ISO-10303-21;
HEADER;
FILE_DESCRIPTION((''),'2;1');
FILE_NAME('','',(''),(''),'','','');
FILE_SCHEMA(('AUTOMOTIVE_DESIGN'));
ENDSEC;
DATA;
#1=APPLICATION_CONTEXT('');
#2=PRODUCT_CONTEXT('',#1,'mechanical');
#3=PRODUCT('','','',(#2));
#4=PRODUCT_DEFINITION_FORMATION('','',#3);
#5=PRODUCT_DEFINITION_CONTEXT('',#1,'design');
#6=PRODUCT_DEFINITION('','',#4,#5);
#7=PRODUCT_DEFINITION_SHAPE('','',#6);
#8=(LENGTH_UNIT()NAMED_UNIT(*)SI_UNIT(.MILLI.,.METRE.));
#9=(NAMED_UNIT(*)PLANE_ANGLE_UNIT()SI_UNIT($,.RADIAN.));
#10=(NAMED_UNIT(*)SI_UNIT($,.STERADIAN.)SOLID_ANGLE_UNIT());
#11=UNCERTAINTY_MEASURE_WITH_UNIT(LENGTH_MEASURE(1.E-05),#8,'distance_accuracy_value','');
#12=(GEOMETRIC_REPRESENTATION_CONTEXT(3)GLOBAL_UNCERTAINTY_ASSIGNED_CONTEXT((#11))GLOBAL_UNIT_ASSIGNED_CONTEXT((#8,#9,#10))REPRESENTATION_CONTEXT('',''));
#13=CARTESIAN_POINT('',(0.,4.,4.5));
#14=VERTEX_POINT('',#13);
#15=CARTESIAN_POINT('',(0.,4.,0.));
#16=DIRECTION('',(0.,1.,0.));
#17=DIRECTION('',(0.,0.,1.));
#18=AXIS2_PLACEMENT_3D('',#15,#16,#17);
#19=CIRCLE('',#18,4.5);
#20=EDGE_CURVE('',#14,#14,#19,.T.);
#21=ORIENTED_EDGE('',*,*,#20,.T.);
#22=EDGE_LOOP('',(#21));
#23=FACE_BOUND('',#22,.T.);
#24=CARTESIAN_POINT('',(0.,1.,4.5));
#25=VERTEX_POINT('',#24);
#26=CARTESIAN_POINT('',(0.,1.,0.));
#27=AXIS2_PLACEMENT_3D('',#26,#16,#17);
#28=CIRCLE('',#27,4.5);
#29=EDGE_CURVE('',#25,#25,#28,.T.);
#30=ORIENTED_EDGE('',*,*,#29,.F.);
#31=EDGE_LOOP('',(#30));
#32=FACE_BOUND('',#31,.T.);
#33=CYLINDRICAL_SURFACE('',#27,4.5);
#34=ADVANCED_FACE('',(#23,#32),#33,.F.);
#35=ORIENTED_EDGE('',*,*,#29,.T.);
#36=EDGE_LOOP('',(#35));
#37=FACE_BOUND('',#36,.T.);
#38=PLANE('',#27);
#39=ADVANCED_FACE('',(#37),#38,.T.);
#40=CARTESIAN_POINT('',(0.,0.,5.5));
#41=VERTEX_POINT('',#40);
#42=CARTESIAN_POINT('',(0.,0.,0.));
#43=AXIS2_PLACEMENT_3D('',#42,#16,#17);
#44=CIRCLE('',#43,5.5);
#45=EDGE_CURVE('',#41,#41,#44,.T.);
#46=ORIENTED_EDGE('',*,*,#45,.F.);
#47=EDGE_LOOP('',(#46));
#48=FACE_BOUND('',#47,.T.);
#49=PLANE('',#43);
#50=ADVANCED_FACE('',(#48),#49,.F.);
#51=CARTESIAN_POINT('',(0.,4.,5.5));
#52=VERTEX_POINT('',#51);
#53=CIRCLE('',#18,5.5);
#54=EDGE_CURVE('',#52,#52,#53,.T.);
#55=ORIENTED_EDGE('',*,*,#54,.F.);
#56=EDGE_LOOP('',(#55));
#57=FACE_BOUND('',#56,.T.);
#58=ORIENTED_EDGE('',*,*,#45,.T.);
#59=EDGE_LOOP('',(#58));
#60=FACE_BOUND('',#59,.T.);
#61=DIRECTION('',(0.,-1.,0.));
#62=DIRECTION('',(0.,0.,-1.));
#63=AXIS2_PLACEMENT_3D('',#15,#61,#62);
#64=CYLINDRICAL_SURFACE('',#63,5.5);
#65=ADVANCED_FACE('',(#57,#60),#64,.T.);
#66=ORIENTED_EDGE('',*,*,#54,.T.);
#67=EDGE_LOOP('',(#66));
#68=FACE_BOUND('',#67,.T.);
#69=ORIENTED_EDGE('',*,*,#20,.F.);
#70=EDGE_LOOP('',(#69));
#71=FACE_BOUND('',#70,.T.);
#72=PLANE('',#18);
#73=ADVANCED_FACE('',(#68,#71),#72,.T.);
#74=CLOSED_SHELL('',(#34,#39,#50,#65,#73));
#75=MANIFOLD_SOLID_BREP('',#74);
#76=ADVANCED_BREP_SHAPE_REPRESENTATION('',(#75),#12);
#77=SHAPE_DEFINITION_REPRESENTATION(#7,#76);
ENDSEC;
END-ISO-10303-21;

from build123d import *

# Parameters (mm, degrees)
SKETCH1_R           = 5.5
BOSS_EXTRUDE1_DEPTH = 4
SKETCH2_R           = 4.5
CUT_EXTRUDE1_DEPTH  = 3


with BuildPart() as part:
    # Sketch1 → Boss-Extrude1 (new body)
    with BuildSketch(Plane(origin=(0, 0, 0), x_dir=(1, 0, 0), z_dir=(0, 1, 0))):
        Circle(SKETCH1_R)
    extrude(amount=BOSS_EXTRUDE1_DEPTH)

    # Sketch2 → Cut-Extrude1 (cut)
    with BuildSketch(Plane(origin=(0, 4, 0), x_dir=(-1, 0, 0), z_dir=(0, 1, 0))):
        Circle(SKETCH2_R)
    extrude(amount=-CUT_EXTRUDE1_DEPTH, mode=Mode.SUBTRACT)


solid = part.part
